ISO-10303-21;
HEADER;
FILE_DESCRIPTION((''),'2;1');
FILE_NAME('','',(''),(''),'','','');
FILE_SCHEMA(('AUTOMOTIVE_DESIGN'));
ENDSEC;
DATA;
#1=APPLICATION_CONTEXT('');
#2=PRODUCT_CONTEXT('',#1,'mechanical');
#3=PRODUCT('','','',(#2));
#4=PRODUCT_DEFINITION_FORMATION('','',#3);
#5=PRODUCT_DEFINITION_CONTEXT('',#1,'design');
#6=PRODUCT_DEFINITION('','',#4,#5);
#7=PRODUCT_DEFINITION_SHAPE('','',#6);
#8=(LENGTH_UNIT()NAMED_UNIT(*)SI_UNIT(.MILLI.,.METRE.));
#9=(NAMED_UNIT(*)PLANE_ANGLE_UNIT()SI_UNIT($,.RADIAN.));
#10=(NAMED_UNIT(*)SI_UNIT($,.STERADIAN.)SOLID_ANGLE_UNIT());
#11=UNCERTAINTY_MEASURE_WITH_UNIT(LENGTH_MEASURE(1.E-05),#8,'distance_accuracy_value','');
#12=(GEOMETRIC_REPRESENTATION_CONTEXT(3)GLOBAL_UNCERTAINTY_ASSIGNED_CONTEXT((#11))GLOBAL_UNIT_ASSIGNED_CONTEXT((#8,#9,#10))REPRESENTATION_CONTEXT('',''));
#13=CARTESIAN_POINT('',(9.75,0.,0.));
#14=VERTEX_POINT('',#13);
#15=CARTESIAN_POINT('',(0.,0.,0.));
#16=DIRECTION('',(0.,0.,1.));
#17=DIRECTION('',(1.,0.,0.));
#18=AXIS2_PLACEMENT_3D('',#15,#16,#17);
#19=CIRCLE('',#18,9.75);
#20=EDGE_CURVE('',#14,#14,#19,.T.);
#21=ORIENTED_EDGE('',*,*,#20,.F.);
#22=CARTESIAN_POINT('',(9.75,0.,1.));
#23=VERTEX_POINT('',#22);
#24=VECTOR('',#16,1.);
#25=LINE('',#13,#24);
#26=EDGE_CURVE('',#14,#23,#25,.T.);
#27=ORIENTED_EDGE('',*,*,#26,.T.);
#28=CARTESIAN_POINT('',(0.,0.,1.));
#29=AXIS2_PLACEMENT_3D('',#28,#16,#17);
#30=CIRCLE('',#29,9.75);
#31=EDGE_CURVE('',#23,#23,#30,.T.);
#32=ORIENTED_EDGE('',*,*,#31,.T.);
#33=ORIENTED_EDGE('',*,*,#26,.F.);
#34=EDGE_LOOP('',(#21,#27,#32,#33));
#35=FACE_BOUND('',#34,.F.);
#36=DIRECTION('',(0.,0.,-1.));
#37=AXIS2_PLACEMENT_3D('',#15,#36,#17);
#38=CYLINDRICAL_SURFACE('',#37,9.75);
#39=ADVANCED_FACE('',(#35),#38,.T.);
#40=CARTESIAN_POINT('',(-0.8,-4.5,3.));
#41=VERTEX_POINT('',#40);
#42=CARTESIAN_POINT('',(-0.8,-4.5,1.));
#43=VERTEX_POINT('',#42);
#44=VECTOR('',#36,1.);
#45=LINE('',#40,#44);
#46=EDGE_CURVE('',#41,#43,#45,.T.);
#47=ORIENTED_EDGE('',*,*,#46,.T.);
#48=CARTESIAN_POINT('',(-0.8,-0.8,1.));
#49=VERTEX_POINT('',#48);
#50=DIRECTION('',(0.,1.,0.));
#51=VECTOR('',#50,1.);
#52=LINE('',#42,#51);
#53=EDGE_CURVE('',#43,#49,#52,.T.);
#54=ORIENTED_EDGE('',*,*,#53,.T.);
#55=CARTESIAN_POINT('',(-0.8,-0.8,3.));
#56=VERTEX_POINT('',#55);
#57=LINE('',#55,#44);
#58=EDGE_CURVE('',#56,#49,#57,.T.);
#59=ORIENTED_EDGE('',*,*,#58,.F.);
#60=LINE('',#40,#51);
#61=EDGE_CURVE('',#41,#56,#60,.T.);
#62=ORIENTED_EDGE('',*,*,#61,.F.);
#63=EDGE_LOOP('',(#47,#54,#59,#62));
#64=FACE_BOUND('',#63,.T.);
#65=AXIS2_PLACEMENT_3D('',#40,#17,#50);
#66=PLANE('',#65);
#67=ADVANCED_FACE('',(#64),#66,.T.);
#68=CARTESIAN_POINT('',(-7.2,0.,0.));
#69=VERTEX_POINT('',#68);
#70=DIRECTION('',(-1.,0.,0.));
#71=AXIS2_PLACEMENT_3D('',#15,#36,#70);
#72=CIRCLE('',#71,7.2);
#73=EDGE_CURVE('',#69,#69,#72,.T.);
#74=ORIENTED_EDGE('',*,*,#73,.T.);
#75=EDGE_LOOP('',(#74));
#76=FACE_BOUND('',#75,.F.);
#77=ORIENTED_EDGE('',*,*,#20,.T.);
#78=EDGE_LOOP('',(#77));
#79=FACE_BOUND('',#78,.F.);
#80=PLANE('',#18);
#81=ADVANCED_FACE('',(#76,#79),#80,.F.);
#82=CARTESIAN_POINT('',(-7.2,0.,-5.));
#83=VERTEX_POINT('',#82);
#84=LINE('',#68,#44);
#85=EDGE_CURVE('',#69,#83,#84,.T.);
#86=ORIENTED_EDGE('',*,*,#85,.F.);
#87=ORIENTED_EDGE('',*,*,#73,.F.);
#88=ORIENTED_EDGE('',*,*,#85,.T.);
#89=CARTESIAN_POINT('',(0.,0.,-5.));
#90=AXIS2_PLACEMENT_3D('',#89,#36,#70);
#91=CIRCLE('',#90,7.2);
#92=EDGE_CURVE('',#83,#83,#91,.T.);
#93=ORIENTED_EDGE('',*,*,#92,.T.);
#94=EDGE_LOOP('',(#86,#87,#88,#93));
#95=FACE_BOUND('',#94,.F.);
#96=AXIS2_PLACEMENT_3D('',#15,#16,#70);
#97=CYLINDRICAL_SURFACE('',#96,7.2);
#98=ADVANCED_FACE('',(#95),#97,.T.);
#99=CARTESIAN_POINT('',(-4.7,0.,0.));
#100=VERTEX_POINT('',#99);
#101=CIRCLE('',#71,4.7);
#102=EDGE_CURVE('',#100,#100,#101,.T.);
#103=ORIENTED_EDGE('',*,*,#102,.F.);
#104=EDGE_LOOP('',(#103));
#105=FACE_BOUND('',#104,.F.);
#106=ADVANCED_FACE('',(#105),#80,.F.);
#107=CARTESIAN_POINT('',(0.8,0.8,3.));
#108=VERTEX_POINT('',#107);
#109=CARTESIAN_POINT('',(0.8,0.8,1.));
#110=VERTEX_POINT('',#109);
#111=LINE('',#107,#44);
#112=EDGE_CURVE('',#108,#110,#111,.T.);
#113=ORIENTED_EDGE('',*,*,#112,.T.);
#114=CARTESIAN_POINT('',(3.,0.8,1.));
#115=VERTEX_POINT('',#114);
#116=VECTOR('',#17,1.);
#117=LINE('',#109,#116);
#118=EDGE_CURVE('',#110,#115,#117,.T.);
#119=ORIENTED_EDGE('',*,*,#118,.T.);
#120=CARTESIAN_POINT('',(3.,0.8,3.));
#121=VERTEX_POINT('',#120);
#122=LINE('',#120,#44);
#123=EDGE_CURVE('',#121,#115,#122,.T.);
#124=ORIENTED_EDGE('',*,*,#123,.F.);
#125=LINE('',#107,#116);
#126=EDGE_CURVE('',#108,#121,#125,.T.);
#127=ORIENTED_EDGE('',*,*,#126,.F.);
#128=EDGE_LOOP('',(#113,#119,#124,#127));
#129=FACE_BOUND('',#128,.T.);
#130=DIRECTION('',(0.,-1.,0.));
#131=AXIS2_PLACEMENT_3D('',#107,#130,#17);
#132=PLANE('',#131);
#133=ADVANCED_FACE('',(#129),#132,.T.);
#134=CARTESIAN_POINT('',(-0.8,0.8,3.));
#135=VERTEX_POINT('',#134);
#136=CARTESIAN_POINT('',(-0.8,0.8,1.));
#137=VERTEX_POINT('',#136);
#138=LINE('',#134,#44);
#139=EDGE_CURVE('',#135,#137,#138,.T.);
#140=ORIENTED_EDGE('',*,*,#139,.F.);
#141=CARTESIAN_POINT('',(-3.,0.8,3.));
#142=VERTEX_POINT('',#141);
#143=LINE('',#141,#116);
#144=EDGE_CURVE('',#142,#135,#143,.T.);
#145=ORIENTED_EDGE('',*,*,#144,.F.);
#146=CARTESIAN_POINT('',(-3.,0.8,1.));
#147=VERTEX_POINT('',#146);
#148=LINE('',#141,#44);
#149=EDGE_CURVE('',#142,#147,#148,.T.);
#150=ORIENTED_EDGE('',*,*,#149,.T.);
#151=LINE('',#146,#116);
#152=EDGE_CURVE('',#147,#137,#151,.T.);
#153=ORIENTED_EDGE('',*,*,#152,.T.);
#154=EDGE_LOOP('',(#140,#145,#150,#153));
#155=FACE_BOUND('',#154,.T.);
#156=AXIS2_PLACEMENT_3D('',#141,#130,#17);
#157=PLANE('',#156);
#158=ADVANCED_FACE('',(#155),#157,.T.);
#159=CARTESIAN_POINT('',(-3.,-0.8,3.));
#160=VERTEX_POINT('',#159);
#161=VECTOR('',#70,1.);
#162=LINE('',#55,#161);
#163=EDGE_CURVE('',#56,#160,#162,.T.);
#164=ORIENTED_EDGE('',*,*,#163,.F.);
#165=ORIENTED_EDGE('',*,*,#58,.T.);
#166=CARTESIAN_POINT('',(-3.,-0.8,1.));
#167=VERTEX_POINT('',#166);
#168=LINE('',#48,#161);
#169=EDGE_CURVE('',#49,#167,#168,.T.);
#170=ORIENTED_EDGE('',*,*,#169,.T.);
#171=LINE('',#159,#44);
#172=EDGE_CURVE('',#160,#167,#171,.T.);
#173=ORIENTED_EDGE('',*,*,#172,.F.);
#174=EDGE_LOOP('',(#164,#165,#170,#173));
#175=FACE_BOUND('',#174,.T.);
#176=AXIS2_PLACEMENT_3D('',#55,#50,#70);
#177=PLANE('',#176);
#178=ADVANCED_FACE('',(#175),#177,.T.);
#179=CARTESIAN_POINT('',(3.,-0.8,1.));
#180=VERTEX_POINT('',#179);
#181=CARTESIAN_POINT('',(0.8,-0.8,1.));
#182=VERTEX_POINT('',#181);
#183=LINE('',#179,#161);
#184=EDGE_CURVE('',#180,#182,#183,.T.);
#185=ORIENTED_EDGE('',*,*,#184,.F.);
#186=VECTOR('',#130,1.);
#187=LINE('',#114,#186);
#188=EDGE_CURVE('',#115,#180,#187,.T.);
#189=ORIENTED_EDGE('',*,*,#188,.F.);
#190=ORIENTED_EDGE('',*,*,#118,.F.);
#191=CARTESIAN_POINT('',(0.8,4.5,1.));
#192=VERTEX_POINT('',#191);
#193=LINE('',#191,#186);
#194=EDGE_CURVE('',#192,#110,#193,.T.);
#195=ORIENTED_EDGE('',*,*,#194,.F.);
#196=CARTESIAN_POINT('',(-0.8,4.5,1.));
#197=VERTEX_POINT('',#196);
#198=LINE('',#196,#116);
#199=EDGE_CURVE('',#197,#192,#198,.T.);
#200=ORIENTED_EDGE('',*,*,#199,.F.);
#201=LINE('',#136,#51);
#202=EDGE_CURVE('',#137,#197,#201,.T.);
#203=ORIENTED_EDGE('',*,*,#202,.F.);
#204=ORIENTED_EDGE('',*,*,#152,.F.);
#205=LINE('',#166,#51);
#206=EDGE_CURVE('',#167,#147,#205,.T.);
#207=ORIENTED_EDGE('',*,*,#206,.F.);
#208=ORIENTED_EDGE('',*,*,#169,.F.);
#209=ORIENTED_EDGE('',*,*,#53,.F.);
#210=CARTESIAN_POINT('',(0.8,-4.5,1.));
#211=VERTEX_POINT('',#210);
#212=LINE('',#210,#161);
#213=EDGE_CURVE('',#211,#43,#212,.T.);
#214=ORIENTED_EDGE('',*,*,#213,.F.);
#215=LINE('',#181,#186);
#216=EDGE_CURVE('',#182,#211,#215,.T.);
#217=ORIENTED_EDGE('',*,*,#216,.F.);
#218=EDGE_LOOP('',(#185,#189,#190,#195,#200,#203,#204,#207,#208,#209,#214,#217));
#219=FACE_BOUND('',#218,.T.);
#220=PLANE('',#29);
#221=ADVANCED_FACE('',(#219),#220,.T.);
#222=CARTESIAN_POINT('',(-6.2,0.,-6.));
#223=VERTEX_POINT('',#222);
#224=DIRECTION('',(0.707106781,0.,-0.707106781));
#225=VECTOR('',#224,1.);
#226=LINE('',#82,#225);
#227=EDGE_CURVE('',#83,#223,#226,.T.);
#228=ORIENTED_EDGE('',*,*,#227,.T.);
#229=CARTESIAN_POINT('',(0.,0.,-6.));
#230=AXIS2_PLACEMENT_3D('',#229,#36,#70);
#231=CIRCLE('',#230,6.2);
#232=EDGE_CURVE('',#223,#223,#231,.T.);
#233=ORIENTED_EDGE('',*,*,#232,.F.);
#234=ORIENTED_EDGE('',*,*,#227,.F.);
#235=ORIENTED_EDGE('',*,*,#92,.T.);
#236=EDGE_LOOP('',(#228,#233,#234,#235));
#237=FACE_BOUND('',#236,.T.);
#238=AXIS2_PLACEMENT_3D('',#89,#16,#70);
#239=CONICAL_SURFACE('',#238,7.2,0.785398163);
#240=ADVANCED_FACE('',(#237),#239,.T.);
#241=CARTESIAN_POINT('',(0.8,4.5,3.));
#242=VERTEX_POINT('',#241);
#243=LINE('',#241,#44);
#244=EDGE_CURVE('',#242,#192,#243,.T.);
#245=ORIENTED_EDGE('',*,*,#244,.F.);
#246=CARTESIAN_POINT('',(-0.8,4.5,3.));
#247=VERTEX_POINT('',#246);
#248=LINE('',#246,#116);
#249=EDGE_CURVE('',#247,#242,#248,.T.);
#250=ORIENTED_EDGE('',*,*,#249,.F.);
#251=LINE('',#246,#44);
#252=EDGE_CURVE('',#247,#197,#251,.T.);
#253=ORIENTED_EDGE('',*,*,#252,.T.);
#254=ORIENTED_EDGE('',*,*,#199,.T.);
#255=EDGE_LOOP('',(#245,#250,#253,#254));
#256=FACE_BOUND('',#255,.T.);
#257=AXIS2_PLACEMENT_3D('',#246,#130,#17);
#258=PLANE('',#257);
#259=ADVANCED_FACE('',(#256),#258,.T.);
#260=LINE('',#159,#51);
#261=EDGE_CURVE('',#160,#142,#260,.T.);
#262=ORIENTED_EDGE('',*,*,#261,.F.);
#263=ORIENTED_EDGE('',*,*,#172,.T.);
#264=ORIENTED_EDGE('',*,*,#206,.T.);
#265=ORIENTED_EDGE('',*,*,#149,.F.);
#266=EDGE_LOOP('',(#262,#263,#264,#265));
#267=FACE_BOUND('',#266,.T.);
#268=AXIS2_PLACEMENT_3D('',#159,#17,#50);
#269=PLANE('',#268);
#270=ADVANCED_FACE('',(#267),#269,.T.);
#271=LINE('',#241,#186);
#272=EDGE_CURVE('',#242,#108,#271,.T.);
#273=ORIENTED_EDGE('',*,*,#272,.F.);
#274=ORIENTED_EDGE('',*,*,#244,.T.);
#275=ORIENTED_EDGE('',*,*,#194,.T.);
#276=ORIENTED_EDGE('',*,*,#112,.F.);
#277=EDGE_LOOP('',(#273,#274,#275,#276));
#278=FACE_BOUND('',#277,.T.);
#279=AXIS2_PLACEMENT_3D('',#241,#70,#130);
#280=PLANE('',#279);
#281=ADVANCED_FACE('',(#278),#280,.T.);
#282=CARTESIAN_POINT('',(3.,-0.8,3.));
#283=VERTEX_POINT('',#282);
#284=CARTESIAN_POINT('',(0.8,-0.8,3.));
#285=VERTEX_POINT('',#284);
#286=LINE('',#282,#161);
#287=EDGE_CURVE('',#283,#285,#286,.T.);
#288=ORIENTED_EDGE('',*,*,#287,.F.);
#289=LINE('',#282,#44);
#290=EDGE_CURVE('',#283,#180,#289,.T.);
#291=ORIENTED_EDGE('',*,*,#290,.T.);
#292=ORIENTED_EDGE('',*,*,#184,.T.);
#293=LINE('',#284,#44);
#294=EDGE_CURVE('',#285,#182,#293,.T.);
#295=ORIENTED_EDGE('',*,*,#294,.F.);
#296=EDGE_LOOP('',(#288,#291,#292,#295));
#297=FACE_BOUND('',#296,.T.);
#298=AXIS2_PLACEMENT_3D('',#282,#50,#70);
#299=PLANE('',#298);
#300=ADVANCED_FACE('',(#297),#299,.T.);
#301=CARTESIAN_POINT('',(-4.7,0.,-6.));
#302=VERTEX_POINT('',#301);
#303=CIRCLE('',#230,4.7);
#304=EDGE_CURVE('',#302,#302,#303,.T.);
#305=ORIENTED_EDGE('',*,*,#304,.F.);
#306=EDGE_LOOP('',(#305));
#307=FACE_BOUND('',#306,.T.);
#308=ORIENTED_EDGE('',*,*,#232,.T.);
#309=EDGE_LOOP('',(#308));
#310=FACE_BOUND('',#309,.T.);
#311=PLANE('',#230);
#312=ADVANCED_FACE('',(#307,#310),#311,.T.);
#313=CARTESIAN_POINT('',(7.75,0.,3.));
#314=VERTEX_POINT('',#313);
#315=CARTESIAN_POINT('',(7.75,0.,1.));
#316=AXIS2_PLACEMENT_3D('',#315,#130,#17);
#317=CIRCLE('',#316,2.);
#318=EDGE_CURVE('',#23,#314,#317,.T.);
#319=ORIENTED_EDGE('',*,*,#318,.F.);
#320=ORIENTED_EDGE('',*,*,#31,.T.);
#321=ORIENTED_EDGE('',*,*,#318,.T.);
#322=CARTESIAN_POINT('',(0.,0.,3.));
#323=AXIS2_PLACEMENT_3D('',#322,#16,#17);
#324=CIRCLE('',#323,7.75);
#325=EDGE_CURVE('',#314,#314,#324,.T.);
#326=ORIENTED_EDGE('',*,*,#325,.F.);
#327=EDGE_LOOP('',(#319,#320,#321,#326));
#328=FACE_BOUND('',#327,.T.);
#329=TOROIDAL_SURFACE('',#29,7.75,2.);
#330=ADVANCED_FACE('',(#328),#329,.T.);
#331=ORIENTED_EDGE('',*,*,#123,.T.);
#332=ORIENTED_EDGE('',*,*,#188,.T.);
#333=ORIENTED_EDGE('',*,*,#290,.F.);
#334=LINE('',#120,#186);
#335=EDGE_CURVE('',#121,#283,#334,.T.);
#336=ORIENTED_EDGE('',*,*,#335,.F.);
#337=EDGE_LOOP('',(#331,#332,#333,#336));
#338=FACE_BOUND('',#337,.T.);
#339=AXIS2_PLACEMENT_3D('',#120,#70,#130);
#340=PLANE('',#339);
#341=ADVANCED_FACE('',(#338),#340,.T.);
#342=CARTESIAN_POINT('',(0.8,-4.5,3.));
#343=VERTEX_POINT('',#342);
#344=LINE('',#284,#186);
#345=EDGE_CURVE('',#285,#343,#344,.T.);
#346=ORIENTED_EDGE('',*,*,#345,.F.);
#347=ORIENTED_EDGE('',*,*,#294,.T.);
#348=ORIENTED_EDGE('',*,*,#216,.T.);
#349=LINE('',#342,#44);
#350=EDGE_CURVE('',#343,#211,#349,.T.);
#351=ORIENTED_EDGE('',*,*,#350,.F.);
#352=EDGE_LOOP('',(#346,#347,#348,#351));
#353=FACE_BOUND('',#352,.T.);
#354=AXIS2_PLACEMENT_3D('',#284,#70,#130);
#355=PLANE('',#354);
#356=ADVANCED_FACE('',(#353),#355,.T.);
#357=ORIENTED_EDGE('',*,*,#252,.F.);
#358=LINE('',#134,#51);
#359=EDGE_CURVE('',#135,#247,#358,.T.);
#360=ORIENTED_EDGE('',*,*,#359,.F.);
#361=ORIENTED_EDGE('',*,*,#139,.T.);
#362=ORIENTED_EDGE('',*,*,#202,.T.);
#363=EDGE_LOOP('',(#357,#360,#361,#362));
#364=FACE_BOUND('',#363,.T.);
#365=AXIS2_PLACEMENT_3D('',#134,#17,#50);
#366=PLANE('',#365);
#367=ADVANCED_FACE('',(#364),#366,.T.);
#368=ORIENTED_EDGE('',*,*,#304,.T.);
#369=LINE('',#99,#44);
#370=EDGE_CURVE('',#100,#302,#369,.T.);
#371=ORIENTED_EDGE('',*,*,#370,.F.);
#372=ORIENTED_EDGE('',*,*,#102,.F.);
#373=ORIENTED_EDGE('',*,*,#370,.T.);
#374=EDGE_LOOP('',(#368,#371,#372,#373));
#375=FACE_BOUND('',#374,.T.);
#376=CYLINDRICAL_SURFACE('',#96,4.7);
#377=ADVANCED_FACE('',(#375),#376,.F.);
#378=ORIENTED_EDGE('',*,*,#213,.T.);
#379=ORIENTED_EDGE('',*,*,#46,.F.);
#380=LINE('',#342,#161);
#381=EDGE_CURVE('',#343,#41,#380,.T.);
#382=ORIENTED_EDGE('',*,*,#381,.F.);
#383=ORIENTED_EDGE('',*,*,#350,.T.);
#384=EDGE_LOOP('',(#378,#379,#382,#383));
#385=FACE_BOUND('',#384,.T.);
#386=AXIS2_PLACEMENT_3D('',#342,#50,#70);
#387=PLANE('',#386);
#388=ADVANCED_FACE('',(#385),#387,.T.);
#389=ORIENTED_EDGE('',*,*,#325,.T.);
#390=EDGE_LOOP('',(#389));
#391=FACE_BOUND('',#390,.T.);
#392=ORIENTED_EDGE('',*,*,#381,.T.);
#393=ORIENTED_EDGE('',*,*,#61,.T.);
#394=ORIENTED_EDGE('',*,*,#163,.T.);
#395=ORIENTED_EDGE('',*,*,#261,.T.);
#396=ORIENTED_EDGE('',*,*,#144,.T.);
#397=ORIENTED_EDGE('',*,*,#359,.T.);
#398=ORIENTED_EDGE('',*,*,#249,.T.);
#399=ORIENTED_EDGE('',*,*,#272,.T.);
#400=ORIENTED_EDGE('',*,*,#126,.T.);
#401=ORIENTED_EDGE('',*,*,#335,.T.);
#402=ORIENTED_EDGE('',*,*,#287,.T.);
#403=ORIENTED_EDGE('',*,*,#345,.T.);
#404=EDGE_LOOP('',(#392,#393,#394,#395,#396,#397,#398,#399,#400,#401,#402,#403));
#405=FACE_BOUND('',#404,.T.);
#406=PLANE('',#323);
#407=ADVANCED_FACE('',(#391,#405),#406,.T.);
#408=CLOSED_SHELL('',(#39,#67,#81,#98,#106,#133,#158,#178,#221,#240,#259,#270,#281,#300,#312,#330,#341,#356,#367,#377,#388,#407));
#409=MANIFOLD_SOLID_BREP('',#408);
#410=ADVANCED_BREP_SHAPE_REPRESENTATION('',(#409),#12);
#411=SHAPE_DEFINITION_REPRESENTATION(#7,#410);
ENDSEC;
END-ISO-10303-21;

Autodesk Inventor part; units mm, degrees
ref_plane "YZ Plane" through (0, 0, 0) normal (1, 0, 0) x (0, 1, 0)
ref_plane "XZ Plane" through (0, 0, 0) normal (0, 1, 0) x (-1, 0, 0)
ref_plane "XY Plane" through (0, 0, 0) normal (0, 0, 1) x (1, 0, 0)
sketch "Sketch1" plane through (0, 0, 0) normal (0, 0, 1) x (1, 0, 0)
  circle A0 centre (0, 0) radius 9.75
  dimension "d0" = 19.5
extrude "Extrusion1" add sketch "Sketch1" along normal blind 3
sketch "Sketch2" plane through (0, 0, 0) normal (0, 0, -1) x (-1, 0, 0)
  circle A0 centre (0, 0) radius 7.2
  circle A1 centre (0, 0) radius 4.7
  dimension "d3" = 14.4
  dimension "d4" = 2.5
extrude "Extrusion2" add sketch "Sketch2" along normal blind 6
fillet "Fillet1" radius 2 1 edges at (-9.75, 0, 3)
sketch "Sketch3" plane through (0, 0, 3) normal (0, 0, 1) x (1, 0, 0)
  line L0 (0.8, -4.5) -> (-0.8, -4.5)
  line L1 (-0.8, 4.5) -> (0.8, 4.5)
  line L2 (0.8, -4.5) -> (-0.8, 4.5) construction
  line L3 (-0.8, -4.5) -> (0.8, 4.5) construction
  line L4 (-3, -0.8) -> (-3, 0.8)
  line L5 (3, 0.8) -> (3, -0.8)
  circle A0 centre (0, 0) radius 4.7 projected
  line L6 (3, -0.8) -> (-3, 0.8) construction
  line L7 (-3, -0.8) -> (3, 0.8) construction
  line L8 (3, -0.8) -> (0.8, -0.8)
  line L9 (-0.8, -4.5) -> (-0.8, -0.8)
  line L10 (0.1422, -0.8) -> (-0.1422, -0.8)
  line L11 (-0.8, -0.8) -> (-3, -0.8)
  line L12 (0.8, 0.8) -> (3, 0.8)
  line L13 (-3, 0.8) -> (-0.8, 0.8)
  line L14 (-0.1422, 0.8) -> (0.1422, 0.8)
  line L15 (-0.8, -0.2133) -> (-0.8, 0.2133)
  line L16 (-0.8, 0.8) -> (-0.8, 4.5)
  line L17 (0.8, 4.5) -> (0.8, 0.8)
  line L18 (0.8, 0.2133) -> (0.8, -0.2133)
  line L19 (0.8, -0.8) -> (0.8, -4.5)
  dimension "d8" = 9
  dimension "d9" = 6
extrude "Extrusion3" cut sketch "Sketch3" against normal blind 2 contours L0 L9 L11 L4 L13 L16 L1 L17 L12 L5 L8 L19
thread "Thread1" size "M15x1.5" class "6g" standard "ANSI Metric M Profile" full length
chamfer "Chamfer1" distance 1 angle 45 1 edges at (7.2, 0, -6)
equation "\"d11\" = d10"
equation "\"d10\" = 1.6"
properties part number "PG9x6mm_Plug"
